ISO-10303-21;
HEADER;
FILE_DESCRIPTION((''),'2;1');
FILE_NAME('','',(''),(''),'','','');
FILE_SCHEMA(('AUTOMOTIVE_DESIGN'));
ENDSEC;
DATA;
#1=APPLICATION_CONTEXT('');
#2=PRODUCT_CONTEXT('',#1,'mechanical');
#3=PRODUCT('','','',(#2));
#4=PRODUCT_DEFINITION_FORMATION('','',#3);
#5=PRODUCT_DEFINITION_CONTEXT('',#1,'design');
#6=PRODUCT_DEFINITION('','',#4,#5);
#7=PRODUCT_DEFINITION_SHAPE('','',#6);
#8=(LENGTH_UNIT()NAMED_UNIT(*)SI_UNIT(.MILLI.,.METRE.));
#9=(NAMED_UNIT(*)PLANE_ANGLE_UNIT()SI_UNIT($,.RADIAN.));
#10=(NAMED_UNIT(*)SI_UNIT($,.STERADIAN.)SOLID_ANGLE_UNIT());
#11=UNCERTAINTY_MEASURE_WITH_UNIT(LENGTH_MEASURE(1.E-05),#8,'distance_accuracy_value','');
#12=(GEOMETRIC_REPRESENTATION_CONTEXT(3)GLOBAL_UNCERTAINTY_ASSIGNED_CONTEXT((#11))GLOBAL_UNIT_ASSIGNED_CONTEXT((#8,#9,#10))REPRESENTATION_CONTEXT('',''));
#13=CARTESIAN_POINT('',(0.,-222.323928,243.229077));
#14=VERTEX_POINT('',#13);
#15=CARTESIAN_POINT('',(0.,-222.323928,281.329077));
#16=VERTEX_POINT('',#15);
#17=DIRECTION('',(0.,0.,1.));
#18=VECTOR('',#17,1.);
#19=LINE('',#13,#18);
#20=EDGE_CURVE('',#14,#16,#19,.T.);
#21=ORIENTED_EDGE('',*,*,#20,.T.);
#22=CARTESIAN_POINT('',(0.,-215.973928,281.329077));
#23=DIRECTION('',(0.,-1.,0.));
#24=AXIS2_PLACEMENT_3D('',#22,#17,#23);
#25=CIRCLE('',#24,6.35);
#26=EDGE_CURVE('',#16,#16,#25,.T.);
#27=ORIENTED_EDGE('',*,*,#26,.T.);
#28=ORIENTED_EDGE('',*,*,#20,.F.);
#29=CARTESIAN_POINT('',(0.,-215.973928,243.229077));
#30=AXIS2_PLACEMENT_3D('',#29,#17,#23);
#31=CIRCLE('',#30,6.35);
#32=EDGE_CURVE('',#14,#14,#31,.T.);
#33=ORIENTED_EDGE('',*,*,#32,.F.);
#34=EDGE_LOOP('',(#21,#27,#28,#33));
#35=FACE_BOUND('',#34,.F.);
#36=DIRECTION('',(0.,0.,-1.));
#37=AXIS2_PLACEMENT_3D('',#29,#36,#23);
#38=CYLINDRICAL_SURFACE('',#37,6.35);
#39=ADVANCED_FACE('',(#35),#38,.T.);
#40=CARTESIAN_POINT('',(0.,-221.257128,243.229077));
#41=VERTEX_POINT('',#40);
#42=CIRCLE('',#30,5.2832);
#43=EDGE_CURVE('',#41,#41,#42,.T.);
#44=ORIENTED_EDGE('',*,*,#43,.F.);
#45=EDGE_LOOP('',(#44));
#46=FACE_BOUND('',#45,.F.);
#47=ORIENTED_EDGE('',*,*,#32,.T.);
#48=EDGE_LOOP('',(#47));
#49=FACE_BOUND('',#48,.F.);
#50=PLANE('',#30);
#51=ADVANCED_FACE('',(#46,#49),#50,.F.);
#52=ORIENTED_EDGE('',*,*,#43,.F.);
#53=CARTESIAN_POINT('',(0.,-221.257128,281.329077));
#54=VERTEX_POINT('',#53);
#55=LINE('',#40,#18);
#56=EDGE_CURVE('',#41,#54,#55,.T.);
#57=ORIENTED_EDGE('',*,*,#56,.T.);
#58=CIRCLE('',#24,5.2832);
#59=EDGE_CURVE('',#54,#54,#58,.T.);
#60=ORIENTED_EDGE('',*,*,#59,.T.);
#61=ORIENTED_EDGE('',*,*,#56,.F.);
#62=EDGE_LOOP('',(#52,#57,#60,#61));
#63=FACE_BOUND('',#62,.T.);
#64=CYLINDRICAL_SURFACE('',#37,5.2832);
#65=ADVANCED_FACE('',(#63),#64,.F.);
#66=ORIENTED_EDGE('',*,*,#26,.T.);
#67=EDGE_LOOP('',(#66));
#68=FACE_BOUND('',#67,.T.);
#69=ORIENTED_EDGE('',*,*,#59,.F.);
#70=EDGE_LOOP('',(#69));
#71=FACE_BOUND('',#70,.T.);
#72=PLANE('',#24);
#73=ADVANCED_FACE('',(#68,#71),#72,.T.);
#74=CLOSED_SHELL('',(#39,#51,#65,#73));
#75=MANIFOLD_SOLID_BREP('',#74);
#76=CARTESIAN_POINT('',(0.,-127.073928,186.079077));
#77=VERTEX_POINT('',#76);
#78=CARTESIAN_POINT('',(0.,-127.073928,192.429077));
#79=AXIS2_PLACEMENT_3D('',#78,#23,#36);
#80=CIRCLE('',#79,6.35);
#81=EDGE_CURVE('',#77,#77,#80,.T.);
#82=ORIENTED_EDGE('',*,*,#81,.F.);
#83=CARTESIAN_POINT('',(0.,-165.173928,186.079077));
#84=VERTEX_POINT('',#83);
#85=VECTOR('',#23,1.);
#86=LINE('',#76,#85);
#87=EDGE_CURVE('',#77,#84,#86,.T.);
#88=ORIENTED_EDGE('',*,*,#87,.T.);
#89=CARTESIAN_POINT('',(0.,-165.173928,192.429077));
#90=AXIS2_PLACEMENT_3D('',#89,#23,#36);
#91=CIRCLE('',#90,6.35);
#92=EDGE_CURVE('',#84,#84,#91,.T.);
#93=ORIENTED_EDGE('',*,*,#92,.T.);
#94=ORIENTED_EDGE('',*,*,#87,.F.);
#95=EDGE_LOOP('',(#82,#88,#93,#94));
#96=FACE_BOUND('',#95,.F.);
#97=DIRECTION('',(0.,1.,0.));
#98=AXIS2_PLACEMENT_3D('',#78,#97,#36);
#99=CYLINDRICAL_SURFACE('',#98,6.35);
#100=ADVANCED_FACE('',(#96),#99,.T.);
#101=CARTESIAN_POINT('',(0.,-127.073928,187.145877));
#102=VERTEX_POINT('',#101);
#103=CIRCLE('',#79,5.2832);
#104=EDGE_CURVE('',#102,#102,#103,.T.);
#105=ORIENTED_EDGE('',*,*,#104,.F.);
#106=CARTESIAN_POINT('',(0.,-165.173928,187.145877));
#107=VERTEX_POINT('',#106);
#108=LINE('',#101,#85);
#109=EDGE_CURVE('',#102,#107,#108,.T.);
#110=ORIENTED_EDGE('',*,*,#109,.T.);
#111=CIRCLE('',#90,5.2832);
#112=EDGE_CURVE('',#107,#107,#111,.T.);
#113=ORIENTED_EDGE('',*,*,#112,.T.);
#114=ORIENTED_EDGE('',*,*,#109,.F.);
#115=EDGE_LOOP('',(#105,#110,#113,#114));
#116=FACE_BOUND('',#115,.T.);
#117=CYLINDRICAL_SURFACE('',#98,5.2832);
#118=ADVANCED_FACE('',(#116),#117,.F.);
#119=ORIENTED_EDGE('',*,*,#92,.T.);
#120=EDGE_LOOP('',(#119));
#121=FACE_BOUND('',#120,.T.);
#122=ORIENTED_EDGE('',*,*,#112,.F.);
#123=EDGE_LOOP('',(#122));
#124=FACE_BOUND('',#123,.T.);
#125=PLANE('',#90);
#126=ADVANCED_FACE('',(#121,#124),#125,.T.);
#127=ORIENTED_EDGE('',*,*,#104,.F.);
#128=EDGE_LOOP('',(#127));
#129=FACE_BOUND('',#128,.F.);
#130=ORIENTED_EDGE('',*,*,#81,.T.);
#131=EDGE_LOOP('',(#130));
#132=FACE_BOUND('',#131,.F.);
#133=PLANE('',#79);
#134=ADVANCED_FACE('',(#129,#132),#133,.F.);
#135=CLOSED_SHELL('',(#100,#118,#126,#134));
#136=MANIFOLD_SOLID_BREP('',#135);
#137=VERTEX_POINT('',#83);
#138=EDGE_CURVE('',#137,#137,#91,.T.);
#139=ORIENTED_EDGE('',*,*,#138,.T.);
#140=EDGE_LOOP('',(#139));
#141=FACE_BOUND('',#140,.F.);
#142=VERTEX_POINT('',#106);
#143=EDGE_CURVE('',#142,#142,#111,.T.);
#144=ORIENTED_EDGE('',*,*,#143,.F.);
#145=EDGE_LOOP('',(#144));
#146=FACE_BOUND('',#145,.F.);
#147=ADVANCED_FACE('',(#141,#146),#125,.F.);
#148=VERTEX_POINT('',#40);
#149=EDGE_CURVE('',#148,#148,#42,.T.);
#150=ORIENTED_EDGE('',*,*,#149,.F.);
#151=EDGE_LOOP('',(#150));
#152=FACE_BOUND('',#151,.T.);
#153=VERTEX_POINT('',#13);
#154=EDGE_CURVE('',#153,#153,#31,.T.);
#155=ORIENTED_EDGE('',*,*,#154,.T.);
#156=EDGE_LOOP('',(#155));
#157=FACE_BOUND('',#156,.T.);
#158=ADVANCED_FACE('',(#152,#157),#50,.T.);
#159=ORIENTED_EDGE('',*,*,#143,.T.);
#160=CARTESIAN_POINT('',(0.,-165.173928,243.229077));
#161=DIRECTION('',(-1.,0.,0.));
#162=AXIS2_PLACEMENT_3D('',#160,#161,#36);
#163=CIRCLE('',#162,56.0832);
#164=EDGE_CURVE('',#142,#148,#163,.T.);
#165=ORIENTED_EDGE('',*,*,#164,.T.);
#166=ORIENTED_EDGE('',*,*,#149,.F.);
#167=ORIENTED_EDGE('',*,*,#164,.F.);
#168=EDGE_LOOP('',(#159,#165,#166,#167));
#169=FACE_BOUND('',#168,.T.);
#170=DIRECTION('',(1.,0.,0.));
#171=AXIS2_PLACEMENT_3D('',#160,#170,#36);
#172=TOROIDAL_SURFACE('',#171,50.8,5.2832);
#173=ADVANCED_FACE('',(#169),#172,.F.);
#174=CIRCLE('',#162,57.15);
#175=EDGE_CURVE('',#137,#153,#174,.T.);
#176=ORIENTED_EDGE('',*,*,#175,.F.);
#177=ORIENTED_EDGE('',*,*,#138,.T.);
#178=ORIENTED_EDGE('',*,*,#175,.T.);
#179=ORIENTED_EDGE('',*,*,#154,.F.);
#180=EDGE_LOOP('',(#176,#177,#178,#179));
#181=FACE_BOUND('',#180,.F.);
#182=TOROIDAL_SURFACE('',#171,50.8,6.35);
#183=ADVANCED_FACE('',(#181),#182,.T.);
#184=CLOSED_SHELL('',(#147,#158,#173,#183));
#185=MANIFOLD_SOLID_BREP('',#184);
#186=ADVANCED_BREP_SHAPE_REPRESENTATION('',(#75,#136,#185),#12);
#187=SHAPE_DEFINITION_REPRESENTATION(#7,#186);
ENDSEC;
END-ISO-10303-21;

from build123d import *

# Parameters (mm, degrees)
SKETCH11_R                = 6.35
SKETCH11_R_2              = 5.2832
PIPE_0_5_SCH_40_1_DEPTH   = 38.1
SKETCH11_ON_SEGMENT_2_R   = 6.35
SKETCH11_ON_SEGMENT_2_R_2 = 5.2832
PIPE_0_5_SCH_40_1_2_ANGLE = 90
SKETCH11_ON_SEGMENT_3_R   = 6.35
SKETCH11_ON_SEGMENT_3_R_2 = 5.2832
PIPE_0_5_SCH_40_1_3_DEPTH = 38.1


with BuildPart() as part:
    # Sketch11 → Pipe 0.5 SCH 40(1) (new body)
    with BuildSketch(Plane(origin=(0, -127.073927777, 192.429076875), x_dir=(0, 0, -1), z_dir=(0, -1, 0))):
        Circle(SKETCH11_R)
        Circle(SKETCH11_R_2, mode=Mode.SUBTRACT)
    extrude(amount=PIPE_0_5_SCH_40_1_DEPTH)


with BuildPart() as body_2:
    # Sketch11 on segment 2 (carried to the start of arc 2) → Pipe 0.5 SCH 40_1 2 (revolve)
    with BuildSketch(Plane(origin=(0, -165.173927777, 192.429076875), x_dir=(0, 0, -1), z_dir=(0, -1, 0))):
        Circle(SKETCH11_ON_SEGMENT_2_R)
        Circle(SKETCH11_ON_SEGMENT_2_R_2, mode=Mode.SUBTRACT)
    revolve(axis=Axis((0, -165.173927777, 243.229076875), (-1, 0, 0)), revolution_arc=PIPE_0_5_SCH_40_1_2_ANGLE)


with BuildPart() as body_3:
    # Sketch11 on segment 3 (carried to segment 3) → Pipe 0.5 SCH 40_1 3 (new body)
    with BuildSketch(Plane(origin=(0, -215.973927777, 243.229076875), x_dir=(0, -1, 0), z_dir=(0, 0, 1))):
        Circle(SKETCH11_ON_SEGMENT_3_R)
        Circle(SKETCH11_ON_SEGMENT_3_R_2, mode=Mode.SUBTRACT)
    extrude(amount=PIPE_0_5_SCH_40_1_3_DEPTH)


solid = Compound([part.part, body_2.part, body_3.part])
